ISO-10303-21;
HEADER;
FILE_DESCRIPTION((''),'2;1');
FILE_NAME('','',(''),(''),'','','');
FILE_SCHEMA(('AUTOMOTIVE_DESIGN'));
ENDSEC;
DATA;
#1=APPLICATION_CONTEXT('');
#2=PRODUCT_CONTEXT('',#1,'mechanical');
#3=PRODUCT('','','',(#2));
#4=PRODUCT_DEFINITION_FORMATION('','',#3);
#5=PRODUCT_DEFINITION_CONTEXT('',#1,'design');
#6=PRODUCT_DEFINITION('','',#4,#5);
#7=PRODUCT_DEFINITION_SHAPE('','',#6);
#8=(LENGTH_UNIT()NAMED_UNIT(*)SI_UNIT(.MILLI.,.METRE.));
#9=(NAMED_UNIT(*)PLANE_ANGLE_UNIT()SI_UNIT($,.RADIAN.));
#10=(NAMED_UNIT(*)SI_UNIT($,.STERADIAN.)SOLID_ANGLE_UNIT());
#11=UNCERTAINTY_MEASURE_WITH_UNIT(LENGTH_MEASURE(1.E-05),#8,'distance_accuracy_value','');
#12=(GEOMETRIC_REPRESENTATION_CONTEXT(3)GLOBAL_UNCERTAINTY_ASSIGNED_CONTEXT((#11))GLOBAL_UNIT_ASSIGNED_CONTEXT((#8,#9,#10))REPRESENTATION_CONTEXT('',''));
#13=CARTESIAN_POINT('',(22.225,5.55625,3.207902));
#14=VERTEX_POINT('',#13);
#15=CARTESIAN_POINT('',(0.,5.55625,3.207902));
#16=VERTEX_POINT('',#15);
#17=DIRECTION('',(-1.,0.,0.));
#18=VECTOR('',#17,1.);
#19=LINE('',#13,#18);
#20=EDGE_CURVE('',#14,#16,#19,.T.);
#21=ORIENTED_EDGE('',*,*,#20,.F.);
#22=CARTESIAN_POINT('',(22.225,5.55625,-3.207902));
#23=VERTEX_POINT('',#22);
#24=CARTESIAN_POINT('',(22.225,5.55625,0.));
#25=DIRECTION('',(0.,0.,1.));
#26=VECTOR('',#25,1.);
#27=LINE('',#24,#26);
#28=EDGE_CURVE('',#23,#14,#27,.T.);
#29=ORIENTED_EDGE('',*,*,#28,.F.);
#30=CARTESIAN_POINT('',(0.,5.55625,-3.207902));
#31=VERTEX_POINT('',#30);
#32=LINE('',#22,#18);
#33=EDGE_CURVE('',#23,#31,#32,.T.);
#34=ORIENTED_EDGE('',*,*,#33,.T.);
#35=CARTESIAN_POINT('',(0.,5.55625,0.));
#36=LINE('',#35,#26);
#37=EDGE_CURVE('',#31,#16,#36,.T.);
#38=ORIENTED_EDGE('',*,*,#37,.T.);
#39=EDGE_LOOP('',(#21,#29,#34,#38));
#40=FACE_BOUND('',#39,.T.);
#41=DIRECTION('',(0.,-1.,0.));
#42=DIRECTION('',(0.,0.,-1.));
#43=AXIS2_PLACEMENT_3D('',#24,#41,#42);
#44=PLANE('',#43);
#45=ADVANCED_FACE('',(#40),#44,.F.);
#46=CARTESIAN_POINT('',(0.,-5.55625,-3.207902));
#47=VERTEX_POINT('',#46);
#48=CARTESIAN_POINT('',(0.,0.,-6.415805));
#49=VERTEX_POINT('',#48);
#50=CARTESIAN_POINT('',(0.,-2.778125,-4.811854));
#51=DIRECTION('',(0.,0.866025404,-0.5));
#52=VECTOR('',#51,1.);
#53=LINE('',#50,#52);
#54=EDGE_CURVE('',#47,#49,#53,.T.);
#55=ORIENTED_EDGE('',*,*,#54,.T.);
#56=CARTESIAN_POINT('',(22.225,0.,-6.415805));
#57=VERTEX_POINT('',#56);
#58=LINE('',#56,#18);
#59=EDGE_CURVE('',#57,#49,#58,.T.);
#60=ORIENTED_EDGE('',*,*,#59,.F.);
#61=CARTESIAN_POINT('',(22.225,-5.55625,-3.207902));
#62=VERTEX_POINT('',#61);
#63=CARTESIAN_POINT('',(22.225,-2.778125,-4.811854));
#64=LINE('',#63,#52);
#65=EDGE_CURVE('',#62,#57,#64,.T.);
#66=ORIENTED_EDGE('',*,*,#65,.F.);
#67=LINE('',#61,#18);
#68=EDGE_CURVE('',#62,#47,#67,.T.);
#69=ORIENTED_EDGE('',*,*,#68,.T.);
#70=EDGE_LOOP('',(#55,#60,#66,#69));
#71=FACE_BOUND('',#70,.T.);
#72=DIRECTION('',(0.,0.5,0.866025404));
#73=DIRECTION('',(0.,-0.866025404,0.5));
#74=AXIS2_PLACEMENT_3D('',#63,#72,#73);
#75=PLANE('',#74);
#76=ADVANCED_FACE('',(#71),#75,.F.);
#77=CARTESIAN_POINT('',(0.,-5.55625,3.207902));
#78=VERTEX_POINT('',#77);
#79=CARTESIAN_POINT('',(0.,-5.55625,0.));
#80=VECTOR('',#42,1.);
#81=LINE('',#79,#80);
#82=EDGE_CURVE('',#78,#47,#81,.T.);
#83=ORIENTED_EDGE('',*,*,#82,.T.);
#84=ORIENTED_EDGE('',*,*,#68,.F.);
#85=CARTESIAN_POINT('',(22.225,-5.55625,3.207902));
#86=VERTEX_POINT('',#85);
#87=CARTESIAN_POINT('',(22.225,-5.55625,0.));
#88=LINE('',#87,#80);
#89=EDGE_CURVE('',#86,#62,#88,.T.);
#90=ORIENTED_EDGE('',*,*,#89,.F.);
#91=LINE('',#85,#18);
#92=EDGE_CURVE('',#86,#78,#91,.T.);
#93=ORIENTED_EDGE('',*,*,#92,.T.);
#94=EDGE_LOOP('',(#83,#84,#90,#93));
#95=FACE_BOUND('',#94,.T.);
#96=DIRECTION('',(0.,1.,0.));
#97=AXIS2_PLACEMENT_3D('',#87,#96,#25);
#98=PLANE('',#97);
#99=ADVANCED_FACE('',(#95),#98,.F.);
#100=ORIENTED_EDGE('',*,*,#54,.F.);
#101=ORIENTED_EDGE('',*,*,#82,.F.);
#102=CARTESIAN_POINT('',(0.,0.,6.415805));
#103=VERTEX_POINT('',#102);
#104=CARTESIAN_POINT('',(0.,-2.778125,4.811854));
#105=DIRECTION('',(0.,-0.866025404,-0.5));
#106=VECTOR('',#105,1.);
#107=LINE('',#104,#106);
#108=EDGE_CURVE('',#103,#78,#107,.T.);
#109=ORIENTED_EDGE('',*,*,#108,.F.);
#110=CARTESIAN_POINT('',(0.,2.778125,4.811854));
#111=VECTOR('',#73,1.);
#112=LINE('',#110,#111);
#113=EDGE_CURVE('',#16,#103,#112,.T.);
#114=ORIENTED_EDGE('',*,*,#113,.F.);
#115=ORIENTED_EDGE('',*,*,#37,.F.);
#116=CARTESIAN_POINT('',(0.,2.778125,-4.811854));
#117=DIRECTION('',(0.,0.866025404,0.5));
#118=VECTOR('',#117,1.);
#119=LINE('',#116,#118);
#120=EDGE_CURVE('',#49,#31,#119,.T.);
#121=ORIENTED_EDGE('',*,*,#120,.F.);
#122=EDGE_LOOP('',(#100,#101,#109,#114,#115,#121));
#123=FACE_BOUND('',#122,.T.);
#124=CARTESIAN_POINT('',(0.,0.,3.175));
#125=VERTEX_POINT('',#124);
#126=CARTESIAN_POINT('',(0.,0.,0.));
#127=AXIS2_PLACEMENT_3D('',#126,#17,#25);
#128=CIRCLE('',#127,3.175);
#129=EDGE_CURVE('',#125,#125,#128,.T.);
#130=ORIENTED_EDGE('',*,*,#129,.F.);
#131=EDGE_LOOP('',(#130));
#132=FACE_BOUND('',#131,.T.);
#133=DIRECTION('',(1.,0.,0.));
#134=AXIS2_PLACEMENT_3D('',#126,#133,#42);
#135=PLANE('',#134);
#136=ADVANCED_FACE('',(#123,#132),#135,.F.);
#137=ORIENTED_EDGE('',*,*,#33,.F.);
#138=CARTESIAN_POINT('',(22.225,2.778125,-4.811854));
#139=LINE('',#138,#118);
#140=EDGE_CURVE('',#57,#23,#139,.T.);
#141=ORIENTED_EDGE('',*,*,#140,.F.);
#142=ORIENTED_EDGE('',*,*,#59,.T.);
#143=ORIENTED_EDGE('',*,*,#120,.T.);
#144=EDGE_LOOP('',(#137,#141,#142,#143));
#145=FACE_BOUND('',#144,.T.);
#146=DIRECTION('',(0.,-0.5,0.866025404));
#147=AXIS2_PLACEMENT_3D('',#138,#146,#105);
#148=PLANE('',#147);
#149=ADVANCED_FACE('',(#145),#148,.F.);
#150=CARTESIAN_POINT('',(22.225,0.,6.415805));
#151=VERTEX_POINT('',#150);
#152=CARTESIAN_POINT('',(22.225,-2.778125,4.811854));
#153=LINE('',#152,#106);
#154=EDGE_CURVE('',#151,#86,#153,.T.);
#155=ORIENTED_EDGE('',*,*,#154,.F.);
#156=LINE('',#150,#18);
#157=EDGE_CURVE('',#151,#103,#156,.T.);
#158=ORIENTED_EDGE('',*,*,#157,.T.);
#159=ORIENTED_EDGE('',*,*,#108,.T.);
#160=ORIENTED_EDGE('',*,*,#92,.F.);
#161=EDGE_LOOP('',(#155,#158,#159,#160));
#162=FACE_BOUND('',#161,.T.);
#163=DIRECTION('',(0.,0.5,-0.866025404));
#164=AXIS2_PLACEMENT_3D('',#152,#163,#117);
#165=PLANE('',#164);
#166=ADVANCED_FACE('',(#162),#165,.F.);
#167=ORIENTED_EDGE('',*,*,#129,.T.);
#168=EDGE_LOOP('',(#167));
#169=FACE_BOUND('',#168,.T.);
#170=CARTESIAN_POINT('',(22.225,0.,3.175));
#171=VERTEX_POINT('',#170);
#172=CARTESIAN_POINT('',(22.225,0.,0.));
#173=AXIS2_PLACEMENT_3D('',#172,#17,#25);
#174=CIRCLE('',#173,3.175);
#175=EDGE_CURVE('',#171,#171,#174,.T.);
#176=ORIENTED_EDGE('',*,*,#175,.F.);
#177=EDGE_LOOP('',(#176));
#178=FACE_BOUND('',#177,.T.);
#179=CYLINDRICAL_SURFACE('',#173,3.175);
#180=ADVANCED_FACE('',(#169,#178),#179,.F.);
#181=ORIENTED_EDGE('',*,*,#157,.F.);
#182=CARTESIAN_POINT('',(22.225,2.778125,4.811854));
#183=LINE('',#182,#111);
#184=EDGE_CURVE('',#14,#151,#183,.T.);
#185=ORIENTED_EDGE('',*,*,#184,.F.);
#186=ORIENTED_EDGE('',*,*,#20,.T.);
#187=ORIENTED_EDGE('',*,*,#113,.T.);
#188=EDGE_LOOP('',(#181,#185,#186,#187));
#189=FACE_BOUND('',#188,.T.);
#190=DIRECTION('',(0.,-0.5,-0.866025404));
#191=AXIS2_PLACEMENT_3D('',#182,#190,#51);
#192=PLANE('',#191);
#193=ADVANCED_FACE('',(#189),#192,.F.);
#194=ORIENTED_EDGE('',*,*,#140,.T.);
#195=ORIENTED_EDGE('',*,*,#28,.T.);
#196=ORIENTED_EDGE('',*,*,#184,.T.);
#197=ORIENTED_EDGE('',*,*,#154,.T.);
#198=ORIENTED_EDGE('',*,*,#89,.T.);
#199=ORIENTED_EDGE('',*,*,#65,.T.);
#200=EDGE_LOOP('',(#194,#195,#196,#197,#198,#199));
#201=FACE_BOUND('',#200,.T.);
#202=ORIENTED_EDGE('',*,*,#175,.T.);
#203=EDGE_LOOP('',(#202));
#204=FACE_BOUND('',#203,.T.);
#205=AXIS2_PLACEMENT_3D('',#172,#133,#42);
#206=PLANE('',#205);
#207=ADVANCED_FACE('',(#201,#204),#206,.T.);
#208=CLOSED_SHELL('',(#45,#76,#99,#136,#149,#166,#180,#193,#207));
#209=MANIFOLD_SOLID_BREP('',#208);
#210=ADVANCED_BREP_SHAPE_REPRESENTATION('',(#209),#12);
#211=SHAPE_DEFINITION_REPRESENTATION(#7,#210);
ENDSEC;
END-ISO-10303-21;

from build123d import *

# Parameters (mm, degrees)
BOSS_EXTRUDE1_DEPTH = 22.225
SKETCH2_R           = 3.175
CUT_EXTRUDE1_DEPTH  = 22.225


with BuildPart() as part:
    # Sketch1 → Boss-Extrude1 (new body)
    with BuildSketch(Plane(origin=(0, 0, 0), x_dir=(0, 0, -1), z_dir=(1, 0, 0))):
        Polygon((0, -5.55625), (0, 5.55625), (-3.207902433, 5.55625), (-6.415804866, 0), (-3.207902433, -5.55625), align=None)
        Polygon((3.207902433, 5.55625), (0, 5.55625), (0, -5.55625), (3.207902433, -5.55625), (6.415804866, 0), align=None)
    extrude(amount=BOSS_EXTRUDE1_DEPTH)

    # Sketch2 → Cut-Extrude1 (cut)
    with BuildSketch(Plane.ZY):
        Circle(SKETCH2_R)
    extrude(amount=-CUT_EXTRUDE1_DEPTH, mode=Mode.SUBTRACT)


solid = part.part
